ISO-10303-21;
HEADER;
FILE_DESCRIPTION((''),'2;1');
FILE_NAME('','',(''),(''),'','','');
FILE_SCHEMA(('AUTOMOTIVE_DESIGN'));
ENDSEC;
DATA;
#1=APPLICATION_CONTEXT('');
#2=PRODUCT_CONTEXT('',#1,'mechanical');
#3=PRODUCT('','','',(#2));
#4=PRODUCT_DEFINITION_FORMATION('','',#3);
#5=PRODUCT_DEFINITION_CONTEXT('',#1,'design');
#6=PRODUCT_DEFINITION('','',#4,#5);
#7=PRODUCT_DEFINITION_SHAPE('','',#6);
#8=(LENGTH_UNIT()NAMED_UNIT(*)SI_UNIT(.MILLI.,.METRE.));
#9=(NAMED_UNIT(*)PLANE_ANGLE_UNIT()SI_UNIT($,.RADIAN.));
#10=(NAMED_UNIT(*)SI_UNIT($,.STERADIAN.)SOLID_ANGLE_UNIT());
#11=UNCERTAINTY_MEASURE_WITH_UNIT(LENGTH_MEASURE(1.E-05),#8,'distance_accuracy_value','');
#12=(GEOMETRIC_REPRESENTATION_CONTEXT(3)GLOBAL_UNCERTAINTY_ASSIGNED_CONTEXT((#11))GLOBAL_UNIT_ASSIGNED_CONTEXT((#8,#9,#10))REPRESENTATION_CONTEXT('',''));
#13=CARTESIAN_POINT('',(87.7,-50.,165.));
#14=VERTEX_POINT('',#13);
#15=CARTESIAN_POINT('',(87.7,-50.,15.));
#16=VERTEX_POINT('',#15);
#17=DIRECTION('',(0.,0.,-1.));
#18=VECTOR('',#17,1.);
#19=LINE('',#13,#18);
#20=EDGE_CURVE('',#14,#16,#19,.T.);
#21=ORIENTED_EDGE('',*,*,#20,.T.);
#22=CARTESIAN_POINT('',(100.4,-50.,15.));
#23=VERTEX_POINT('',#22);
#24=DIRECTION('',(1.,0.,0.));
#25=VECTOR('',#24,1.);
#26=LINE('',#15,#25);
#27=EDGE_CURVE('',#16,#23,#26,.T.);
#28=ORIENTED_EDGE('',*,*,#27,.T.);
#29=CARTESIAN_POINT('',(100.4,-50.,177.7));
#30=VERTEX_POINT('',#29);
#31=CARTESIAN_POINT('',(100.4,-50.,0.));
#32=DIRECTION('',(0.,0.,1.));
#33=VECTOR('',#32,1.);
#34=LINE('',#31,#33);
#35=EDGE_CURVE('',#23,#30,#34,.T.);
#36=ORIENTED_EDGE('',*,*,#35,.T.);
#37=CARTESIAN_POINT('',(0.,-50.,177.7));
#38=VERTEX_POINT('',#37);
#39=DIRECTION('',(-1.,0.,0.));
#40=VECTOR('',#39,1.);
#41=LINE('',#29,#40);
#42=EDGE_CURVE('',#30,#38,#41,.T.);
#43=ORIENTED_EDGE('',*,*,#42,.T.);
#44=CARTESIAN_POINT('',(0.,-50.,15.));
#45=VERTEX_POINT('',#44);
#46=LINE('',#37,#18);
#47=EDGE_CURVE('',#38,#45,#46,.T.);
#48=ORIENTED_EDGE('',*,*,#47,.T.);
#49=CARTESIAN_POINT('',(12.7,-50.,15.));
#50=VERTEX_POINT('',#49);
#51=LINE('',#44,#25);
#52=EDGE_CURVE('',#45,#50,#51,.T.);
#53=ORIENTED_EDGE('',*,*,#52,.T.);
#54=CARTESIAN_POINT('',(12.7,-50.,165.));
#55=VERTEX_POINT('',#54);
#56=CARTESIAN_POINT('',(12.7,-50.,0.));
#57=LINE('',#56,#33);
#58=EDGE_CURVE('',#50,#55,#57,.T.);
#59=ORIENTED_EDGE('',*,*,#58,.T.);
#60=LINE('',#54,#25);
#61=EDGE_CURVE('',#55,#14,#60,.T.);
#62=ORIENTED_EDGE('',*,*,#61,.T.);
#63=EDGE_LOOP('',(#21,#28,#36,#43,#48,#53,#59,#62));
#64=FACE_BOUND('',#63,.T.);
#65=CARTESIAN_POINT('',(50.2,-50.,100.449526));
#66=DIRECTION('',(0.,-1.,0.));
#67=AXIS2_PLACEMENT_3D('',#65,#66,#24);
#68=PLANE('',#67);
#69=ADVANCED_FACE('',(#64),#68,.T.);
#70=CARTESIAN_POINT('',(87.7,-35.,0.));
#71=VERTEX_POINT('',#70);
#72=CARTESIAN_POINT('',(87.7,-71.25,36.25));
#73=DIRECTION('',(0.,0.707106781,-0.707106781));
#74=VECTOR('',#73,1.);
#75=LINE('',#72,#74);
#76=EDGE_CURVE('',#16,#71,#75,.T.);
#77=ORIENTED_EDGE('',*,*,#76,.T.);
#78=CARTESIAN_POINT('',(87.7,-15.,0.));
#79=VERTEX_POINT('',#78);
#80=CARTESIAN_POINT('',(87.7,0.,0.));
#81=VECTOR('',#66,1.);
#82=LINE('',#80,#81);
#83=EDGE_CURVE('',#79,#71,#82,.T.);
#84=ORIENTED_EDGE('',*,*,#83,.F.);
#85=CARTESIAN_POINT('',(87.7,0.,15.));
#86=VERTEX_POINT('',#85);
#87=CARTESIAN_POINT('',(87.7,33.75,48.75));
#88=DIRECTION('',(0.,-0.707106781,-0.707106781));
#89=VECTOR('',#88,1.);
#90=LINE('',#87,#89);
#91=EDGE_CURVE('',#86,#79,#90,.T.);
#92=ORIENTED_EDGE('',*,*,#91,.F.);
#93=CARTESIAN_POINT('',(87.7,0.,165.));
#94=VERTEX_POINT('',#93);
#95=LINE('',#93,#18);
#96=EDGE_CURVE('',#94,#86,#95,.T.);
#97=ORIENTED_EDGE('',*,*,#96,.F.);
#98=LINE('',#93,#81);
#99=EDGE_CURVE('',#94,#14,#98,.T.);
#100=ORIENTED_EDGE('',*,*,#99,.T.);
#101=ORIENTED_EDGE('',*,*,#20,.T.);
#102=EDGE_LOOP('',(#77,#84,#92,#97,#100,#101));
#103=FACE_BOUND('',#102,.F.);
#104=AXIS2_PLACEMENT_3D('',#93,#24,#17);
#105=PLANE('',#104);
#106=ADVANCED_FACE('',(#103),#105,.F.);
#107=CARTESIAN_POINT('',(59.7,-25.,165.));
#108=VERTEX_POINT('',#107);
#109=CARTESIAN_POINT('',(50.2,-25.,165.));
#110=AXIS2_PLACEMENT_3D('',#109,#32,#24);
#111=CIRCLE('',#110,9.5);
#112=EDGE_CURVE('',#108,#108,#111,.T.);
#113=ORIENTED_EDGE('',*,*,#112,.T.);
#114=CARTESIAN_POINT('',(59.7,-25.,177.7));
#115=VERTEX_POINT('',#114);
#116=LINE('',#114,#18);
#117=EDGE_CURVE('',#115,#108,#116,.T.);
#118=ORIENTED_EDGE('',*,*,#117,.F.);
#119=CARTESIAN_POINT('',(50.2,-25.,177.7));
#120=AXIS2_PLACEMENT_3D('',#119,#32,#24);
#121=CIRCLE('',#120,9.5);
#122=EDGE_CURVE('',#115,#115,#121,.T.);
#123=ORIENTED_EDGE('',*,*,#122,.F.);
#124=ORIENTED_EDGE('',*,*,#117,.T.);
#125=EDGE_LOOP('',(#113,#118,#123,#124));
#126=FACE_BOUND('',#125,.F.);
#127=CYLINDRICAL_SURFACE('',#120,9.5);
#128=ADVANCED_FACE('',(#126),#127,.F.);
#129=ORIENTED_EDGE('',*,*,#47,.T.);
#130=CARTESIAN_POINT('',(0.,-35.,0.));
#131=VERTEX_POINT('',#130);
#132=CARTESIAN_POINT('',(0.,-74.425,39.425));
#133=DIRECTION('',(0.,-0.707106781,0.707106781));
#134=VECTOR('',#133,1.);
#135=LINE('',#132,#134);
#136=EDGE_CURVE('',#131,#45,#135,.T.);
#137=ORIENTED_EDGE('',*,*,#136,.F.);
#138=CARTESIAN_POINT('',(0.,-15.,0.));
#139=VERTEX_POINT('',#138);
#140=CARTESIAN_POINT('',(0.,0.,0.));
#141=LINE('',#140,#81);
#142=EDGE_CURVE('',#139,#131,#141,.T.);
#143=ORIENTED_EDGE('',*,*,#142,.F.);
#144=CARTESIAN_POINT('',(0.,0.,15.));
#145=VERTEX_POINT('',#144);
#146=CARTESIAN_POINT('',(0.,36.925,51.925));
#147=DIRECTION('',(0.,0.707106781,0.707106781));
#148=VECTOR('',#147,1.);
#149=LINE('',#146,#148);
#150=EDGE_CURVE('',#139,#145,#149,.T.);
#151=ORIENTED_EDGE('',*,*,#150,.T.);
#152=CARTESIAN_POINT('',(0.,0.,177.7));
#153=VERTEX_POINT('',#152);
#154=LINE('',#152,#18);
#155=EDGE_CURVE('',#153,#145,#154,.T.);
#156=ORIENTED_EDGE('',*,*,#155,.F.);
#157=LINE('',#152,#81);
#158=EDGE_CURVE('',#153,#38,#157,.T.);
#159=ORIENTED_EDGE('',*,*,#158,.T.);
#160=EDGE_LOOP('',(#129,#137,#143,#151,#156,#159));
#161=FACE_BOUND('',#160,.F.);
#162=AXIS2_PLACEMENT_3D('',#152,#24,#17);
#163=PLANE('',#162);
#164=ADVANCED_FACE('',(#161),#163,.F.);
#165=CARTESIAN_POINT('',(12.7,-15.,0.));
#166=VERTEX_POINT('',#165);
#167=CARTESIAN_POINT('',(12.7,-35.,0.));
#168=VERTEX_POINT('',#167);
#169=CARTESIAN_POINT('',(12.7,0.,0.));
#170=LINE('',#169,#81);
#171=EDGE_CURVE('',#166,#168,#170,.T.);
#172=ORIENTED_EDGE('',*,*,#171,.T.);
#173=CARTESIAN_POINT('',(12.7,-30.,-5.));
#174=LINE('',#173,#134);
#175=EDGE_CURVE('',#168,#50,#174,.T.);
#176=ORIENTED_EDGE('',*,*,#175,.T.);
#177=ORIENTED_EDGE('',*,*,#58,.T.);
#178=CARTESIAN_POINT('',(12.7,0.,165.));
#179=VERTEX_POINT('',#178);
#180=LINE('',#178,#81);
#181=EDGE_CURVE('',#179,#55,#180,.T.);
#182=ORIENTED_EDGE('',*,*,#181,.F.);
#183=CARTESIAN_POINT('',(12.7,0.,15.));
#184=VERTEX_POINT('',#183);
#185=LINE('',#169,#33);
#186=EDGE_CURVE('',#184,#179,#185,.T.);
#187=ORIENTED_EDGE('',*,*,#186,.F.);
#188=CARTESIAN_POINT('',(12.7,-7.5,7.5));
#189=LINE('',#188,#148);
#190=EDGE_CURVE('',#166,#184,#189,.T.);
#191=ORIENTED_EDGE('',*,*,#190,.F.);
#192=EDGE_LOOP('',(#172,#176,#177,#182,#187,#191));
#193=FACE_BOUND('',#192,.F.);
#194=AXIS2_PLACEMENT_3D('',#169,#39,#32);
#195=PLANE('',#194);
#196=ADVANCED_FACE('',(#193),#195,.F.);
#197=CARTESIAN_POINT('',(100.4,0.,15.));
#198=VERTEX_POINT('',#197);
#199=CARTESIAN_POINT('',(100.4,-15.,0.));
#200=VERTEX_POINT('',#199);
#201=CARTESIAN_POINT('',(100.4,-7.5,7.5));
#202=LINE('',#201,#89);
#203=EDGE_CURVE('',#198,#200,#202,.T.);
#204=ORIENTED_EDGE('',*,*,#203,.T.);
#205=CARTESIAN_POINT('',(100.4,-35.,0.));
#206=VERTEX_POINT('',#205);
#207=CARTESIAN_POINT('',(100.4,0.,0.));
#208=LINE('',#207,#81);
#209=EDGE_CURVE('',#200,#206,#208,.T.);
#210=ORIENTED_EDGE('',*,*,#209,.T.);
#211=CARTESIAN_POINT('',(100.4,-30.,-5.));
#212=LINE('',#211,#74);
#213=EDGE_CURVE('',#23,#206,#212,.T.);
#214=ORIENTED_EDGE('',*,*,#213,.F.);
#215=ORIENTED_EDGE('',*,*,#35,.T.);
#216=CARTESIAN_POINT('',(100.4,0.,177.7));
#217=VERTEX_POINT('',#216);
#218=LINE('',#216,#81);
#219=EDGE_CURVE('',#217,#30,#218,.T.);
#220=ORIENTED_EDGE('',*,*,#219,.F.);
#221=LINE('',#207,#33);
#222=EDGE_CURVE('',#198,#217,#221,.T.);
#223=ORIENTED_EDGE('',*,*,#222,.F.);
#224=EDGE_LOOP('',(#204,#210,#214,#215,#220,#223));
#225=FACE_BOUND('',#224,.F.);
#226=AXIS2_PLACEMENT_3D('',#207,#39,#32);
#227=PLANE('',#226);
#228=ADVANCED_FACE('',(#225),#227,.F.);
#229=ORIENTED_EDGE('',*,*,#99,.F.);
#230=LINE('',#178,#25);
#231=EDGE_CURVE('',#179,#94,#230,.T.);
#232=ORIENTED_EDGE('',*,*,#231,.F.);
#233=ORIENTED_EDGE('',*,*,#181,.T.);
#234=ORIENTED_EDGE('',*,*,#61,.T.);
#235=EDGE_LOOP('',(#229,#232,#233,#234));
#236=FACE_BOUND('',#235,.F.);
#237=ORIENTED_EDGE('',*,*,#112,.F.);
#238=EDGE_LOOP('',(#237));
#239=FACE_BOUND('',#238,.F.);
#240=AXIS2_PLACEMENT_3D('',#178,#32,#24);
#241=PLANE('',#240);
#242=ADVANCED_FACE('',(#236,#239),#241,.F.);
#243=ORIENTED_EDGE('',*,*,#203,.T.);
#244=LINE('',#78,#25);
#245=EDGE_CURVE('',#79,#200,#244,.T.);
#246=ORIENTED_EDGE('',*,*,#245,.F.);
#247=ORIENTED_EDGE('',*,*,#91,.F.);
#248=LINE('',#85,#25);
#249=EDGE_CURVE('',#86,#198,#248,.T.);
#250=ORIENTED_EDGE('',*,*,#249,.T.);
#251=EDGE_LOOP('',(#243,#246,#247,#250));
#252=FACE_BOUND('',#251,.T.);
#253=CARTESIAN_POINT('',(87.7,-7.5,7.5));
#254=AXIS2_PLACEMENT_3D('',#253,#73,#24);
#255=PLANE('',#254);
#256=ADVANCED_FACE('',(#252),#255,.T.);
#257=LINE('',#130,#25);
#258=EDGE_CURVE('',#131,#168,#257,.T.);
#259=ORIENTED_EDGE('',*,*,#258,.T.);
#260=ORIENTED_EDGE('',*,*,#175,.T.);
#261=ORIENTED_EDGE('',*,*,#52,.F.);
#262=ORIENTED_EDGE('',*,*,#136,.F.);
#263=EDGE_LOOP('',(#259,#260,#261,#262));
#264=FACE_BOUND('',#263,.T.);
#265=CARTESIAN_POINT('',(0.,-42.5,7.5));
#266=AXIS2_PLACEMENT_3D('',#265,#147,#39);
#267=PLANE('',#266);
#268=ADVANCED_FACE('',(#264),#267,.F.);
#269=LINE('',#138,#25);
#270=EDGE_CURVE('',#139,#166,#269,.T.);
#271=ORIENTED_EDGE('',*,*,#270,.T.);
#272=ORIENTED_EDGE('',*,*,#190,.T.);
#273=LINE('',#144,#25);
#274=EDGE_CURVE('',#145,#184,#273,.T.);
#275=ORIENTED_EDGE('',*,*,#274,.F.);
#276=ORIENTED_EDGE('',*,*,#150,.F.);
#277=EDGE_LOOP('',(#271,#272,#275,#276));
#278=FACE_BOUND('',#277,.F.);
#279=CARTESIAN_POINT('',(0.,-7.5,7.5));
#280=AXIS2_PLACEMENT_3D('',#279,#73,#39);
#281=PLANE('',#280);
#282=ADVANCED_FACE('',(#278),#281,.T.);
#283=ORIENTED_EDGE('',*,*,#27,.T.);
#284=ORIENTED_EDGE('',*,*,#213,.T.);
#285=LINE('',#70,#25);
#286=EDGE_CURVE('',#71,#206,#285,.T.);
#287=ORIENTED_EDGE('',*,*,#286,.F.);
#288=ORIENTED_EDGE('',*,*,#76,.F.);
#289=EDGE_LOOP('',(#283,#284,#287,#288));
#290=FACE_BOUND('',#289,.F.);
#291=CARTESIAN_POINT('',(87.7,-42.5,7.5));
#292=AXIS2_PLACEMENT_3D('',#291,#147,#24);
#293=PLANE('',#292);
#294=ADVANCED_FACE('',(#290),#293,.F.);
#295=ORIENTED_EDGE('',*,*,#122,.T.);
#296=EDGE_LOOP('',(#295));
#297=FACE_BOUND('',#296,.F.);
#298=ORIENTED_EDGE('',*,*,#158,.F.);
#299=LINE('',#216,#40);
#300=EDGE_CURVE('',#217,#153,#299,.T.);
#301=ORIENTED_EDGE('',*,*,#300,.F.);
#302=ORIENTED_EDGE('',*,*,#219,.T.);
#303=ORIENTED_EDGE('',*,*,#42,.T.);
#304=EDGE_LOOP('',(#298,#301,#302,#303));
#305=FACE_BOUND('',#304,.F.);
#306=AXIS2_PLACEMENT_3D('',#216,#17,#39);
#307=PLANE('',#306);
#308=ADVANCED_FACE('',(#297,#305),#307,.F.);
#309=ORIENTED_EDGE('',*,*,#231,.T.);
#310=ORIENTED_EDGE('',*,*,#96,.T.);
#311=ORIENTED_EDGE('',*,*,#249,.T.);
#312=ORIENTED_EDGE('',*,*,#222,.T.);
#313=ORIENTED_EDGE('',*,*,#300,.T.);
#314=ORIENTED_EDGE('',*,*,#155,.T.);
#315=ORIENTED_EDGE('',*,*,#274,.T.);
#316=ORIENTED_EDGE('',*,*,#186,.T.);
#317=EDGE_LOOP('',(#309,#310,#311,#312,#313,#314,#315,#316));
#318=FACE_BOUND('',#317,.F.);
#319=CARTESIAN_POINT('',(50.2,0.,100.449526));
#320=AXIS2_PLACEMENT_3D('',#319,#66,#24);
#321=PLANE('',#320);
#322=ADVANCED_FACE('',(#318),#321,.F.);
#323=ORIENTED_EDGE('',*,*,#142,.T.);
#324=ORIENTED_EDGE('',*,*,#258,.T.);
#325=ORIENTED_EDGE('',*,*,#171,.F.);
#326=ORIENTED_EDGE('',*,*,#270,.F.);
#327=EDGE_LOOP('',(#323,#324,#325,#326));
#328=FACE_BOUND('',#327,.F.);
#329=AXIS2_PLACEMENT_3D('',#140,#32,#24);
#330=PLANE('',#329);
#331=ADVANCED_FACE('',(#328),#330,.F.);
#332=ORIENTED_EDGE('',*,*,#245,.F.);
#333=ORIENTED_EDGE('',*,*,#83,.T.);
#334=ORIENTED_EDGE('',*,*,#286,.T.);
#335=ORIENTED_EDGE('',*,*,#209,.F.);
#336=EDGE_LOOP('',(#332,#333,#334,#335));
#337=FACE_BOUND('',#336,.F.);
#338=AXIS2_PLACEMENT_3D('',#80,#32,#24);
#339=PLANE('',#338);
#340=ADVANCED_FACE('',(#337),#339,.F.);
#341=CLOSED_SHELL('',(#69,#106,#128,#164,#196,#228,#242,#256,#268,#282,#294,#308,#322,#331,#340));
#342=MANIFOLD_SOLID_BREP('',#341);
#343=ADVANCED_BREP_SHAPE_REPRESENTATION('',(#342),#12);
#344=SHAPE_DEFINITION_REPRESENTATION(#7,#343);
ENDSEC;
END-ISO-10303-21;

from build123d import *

# Parameters (mm, degrees)
F1_DEPTH = 50
F2_R     = 9.5
F3_DEPTH = 177.701
F5_SIZE  = 15
F6_SIZE  = 15


with BuildPart() as f1:
    # F0 (on Front) → F1 (new body)
    with BuildSketch(Plane.XZ):
        Polygon((0, 177.7), (0, 0), (12.7, 0), (12.7, 165), (87.7, 165), (87.7, 0), (100.4, 0), (100.4, 177.7), align=None)
    extrude(amount=F1_DEPTH)

    # F2 (on face) → F3 (cut, through all)
    with BuildSketch(Plane.XY.offset(177.7)):
        with Locations((50.2, -25)):
            Circle(F2_R)
    extrude(amount=-F3_DEPTH, mode=Mode.SUBTRACT)

    # F5
    f5_edges = [f1.edges().sort_by_distance(p)[0] for p in [
        (6.35, -50, 0),
        (6.35, 0, 0),
    ]]
    chamfer(f5_edges, length=F5_SIZE)

    # F6
    f6_edges = [f1.edges().sort_by_distance(p)[0] for p in [
        (94.05, -50, 0),
        (94.05, 0, 0),
    ]]
    chamfer(f6_edges, length=F6_SIZE)


solid = f1.part
